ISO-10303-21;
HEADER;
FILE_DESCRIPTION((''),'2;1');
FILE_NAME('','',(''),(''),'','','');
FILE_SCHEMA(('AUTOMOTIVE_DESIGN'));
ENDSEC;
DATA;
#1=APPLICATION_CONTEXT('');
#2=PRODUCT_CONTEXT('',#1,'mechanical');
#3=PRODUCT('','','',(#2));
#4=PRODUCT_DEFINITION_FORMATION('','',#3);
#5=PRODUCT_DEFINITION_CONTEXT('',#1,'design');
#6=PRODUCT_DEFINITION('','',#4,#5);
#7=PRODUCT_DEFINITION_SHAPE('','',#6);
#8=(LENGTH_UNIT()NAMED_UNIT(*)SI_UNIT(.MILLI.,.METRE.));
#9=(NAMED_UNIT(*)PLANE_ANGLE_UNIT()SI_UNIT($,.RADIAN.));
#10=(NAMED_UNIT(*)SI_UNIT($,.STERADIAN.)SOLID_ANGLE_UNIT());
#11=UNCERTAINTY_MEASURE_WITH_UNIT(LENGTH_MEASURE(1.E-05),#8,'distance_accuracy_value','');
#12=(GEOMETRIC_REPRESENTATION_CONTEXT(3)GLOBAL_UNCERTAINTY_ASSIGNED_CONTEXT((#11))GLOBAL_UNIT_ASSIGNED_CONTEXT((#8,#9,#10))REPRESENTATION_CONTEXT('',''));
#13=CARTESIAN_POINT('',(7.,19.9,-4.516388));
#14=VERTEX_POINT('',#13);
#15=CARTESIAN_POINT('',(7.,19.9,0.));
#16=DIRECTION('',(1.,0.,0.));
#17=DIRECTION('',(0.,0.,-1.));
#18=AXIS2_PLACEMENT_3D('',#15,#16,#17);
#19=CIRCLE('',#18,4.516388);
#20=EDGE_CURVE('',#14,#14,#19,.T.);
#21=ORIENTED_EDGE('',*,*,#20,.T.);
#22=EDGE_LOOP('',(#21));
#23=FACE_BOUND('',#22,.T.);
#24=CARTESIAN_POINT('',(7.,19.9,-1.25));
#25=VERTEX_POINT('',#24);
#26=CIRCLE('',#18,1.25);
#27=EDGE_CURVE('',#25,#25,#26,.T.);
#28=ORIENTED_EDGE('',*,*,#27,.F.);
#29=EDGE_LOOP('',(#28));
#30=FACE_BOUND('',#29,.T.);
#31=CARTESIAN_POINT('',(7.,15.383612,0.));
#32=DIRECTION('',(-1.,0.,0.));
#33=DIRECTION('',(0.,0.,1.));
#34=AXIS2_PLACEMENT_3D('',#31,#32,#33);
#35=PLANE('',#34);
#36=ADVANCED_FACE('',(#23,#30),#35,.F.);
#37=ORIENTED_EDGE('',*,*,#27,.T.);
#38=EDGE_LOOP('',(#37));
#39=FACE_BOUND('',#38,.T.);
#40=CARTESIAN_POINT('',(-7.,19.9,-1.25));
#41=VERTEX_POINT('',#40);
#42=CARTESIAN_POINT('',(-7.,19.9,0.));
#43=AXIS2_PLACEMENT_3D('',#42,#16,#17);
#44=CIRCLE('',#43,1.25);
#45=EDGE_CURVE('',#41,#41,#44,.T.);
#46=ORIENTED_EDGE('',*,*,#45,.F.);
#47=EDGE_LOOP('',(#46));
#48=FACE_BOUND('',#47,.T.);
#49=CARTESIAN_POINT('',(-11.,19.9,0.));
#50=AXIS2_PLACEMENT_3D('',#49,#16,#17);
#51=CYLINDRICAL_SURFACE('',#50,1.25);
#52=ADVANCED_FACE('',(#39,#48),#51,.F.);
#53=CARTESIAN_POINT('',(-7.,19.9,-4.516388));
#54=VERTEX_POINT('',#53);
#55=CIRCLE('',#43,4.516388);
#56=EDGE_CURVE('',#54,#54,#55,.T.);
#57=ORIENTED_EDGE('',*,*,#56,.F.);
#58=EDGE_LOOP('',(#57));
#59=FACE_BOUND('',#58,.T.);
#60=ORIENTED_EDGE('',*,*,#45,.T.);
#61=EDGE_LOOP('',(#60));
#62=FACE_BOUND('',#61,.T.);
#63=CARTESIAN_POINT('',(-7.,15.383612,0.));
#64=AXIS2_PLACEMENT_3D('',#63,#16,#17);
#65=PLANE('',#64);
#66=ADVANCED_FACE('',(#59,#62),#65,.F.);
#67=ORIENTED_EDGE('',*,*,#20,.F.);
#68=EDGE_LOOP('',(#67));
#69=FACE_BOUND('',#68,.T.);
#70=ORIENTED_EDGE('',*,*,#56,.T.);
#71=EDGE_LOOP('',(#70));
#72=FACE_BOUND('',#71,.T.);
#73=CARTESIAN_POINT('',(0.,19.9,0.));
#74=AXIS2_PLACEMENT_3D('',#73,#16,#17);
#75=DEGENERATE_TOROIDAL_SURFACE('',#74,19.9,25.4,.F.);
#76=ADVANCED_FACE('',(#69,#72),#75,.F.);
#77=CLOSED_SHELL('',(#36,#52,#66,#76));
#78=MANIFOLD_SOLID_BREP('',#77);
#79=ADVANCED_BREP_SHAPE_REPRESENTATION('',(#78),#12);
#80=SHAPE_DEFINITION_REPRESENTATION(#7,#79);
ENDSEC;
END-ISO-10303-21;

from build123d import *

# Parameters (mm, degrees)
SKETCH_2_R          = 1.25
CUT_EXTRUDE_1_DEPTH = 18


with BuildPart() as part:
    # 草图1 → 旋转1 (revolve)
    with BuildSketch(Plane.XY):
        with BuildLine():
            Line((7, 19.9), (-7, 19.9))
            Line((-7, 19.9), (-7, 15.383612061))
            ThreePointArc((-7, 15.383612061), (0, 14.4), (7, 15.383612061))
            Line((7, 15.383612061), (7, 19.9))
        make_face()
    revolve(axis=Axis((7, 19.9, 0), (-1, 0, 0)))

    # 草图2 → 切除-拉伸1 (cut)
    with BuildSketch(Plane(origin=(7, 0, 0), x_dir=(0, 0, -1), z_dir=(1, 0, 0))):
        with Locations((0, 19.9)):
            Circle(SKETCH_2_R)
    extrude(amount=-CUT_EXTRUDE_1_DEPTH, mode=Mode.SUBTRACT)


solid = part.part
